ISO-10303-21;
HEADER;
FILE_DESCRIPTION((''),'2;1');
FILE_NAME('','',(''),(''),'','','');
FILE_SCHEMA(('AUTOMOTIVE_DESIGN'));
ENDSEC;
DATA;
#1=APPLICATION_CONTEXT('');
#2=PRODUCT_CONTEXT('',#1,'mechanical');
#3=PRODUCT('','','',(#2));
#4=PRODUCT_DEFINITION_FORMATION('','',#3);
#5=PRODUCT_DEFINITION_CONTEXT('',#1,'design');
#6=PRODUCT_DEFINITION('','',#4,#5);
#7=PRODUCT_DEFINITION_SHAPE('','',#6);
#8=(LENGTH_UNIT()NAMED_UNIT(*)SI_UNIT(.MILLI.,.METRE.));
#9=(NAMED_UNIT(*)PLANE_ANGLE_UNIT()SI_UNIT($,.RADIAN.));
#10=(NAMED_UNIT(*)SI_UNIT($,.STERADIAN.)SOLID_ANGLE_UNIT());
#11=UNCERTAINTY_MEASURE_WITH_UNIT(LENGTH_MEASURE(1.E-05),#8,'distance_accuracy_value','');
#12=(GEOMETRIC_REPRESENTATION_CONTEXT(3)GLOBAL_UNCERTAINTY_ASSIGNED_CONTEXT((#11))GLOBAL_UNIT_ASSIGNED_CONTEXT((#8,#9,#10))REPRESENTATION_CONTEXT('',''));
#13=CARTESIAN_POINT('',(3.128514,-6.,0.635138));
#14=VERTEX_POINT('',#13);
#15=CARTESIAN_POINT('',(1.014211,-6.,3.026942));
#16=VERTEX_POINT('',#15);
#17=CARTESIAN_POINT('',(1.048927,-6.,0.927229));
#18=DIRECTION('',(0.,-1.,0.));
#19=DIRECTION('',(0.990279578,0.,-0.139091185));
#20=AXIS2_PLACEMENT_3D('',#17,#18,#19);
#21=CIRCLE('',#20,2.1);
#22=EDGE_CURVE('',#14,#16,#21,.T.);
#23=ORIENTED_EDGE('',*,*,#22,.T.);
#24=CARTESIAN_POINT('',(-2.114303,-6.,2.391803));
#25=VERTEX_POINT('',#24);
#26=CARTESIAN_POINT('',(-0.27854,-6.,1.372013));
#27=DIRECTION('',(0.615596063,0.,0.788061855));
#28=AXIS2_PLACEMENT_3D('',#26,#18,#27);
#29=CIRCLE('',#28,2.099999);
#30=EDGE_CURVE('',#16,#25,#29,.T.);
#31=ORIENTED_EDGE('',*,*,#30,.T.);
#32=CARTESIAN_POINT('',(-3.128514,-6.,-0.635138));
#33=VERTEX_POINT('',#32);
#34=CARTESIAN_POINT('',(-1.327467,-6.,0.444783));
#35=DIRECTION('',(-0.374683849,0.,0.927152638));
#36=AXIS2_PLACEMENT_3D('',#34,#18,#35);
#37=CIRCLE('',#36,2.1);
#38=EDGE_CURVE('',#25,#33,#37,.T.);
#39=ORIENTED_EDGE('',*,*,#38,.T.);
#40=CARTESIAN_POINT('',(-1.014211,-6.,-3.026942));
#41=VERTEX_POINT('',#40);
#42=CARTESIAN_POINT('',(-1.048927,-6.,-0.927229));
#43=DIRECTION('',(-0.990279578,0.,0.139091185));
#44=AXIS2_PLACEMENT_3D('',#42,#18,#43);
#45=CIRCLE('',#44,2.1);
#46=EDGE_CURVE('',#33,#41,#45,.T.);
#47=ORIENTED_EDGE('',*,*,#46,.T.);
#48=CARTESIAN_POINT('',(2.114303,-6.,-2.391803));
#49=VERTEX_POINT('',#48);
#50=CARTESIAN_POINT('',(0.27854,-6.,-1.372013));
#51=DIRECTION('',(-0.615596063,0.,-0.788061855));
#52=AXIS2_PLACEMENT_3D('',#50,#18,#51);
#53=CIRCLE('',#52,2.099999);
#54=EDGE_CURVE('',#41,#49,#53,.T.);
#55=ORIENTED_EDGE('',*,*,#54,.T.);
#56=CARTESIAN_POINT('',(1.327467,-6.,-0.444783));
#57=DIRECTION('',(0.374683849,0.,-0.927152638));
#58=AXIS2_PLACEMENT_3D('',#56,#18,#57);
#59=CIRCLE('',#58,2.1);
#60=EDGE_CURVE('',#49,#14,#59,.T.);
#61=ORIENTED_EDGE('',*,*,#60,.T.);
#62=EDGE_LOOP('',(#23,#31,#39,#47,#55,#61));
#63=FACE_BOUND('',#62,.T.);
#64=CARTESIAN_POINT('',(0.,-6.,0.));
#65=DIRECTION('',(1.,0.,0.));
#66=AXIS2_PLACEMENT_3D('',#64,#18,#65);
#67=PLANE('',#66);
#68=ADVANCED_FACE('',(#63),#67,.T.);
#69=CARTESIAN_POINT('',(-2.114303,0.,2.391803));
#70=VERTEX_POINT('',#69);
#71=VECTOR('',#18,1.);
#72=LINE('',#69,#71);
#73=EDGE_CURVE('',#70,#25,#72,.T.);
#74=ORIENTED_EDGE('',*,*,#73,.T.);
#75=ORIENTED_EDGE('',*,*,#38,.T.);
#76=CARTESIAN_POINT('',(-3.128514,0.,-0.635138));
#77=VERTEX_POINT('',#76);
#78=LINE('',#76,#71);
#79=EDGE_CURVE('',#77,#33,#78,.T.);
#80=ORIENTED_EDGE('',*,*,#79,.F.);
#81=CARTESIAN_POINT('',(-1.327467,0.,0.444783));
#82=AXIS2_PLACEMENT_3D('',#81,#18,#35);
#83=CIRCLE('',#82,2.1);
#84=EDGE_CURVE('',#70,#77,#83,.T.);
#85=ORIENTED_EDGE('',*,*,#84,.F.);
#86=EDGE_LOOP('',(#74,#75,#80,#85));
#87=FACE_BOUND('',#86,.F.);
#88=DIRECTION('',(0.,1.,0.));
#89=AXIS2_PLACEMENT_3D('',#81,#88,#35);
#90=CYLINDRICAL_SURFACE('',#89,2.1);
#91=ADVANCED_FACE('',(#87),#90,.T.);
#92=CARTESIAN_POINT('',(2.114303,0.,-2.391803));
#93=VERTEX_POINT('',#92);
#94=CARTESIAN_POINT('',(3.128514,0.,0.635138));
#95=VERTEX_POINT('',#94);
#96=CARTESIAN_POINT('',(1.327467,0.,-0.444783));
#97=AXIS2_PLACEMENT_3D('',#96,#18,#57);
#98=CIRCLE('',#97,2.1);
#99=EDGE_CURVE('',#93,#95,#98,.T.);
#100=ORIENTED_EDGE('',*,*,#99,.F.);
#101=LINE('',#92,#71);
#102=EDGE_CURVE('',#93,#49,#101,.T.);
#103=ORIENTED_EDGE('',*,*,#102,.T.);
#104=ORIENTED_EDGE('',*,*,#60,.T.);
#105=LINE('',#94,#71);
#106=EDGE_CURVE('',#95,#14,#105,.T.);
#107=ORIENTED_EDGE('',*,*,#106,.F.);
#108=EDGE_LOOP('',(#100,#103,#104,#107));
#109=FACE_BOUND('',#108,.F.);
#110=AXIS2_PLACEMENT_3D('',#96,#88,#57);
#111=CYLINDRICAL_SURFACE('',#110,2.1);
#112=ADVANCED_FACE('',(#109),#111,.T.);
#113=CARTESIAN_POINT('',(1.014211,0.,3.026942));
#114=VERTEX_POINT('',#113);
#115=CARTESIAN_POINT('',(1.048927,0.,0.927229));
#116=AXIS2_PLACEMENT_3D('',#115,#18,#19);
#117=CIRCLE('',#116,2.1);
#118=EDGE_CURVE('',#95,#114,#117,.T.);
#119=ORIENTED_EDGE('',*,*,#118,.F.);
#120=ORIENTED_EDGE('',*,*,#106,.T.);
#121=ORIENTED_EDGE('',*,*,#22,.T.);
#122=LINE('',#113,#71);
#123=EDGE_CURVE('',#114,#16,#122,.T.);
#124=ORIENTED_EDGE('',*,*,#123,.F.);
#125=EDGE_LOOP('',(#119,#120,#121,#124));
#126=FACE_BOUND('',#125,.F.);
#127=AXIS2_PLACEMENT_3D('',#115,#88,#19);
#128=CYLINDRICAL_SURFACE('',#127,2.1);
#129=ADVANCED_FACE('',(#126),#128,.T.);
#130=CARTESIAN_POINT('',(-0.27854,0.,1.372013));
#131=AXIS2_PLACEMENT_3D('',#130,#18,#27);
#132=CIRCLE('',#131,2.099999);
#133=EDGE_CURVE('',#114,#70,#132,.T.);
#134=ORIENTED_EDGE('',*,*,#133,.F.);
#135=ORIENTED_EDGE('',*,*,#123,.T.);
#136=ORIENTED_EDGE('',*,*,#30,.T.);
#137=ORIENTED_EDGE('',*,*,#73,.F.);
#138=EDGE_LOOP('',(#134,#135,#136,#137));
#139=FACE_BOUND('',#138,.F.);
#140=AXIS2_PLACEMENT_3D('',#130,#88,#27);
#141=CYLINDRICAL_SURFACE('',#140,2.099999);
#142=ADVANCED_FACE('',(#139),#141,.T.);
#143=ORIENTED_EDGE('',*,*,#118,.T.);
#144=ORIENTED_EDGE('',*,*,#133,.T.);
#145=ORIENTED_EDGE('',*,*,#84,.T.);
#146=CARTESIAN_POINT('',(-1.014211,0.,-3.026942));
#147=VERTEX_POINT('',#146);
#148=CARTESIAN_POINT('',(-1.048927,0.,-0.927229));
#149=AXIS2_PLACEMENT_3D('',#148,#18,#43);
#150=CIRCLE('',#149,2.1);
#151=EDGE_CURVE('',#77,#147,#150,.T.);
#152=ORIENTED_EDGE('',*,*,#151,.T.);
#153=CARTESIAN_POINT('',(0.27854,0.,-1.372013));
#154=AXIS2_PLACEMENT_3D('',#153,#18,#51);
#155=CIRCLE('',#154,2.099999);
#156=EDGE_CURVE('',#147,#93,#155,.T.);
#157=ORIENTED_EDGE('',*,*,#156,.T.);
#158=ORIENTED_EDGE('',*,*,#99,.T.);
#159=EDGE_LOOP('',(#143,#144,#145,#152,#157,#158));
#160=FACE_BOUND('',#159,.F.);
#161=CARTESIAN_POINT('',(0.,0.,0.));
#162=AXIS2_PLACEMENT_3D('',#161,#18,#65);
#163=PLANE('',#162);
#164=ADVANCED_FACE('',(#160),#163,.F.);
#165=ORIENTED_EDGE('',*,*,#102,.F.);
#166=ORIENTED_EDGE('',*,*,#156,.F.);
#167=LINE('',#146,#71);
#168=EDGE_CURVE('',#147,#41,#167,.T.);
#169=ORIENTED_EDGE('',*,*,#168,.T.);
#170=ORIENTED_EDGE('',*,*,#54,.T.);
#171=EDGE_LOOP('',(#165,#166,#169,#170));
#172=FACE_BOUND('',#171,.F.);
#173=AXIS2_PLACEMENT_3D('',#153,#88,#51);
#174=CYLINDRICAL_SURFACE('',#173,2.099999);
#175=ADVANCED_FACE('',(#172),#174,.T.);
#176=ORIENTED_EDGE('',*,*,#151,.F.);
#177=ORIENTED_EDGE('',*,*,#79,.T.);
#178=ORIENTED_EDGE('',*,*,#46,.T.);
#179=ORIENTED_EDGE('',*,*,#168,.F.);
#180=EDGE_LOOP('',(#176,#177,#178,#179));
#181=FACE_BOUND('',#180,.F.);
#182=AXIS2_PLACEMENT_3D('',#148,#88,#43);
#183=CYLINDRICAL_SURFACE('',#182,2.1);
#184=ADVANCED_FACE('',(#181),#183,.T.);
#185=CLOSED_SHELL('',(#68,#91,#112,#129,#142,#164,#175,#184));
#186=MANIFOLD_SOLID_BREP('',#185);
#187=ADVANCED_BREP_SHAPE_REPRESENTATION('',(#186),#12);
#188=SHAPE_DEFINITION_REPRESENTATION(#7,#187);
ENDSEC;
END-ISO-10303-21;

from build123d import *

# Parameters (mm, degrees)
F1_DEPTH = 6


with BuildPart() as f1:
    # F0 (on Front) → F1 (new body)
    with BuildSketch(Plane.XZ):
        with BuildLine():
            ThreePointArc((2.114303, -2.391803), (3.318667, -1.111957), (3.128514, 0.635138))
            ThreePointArc((3.128514, 0.635138), (2.622317, 2.318072), (1.014211, 3.026942))
            ThreePointArc((1.014211, 3.026942), (-0.696351, 3.430029), (-2.114303, 2.391803))
            ThreePointArc((-2.114303, 2.391803), (-3.318667, 1.111957), (-3.128514, -0.635138))
            ThreePointArc((-3.128514, -0.635138), (-2.622317, -2.318072), (-1.014211, -3.026942))
            ThreePointArc((-1.014211, -3.026942), (0.696351, -3.430029), (2.114303, -2.391803))
        make_face()
    extrude(amount=F1_DEPTH)


solid = f1.part
